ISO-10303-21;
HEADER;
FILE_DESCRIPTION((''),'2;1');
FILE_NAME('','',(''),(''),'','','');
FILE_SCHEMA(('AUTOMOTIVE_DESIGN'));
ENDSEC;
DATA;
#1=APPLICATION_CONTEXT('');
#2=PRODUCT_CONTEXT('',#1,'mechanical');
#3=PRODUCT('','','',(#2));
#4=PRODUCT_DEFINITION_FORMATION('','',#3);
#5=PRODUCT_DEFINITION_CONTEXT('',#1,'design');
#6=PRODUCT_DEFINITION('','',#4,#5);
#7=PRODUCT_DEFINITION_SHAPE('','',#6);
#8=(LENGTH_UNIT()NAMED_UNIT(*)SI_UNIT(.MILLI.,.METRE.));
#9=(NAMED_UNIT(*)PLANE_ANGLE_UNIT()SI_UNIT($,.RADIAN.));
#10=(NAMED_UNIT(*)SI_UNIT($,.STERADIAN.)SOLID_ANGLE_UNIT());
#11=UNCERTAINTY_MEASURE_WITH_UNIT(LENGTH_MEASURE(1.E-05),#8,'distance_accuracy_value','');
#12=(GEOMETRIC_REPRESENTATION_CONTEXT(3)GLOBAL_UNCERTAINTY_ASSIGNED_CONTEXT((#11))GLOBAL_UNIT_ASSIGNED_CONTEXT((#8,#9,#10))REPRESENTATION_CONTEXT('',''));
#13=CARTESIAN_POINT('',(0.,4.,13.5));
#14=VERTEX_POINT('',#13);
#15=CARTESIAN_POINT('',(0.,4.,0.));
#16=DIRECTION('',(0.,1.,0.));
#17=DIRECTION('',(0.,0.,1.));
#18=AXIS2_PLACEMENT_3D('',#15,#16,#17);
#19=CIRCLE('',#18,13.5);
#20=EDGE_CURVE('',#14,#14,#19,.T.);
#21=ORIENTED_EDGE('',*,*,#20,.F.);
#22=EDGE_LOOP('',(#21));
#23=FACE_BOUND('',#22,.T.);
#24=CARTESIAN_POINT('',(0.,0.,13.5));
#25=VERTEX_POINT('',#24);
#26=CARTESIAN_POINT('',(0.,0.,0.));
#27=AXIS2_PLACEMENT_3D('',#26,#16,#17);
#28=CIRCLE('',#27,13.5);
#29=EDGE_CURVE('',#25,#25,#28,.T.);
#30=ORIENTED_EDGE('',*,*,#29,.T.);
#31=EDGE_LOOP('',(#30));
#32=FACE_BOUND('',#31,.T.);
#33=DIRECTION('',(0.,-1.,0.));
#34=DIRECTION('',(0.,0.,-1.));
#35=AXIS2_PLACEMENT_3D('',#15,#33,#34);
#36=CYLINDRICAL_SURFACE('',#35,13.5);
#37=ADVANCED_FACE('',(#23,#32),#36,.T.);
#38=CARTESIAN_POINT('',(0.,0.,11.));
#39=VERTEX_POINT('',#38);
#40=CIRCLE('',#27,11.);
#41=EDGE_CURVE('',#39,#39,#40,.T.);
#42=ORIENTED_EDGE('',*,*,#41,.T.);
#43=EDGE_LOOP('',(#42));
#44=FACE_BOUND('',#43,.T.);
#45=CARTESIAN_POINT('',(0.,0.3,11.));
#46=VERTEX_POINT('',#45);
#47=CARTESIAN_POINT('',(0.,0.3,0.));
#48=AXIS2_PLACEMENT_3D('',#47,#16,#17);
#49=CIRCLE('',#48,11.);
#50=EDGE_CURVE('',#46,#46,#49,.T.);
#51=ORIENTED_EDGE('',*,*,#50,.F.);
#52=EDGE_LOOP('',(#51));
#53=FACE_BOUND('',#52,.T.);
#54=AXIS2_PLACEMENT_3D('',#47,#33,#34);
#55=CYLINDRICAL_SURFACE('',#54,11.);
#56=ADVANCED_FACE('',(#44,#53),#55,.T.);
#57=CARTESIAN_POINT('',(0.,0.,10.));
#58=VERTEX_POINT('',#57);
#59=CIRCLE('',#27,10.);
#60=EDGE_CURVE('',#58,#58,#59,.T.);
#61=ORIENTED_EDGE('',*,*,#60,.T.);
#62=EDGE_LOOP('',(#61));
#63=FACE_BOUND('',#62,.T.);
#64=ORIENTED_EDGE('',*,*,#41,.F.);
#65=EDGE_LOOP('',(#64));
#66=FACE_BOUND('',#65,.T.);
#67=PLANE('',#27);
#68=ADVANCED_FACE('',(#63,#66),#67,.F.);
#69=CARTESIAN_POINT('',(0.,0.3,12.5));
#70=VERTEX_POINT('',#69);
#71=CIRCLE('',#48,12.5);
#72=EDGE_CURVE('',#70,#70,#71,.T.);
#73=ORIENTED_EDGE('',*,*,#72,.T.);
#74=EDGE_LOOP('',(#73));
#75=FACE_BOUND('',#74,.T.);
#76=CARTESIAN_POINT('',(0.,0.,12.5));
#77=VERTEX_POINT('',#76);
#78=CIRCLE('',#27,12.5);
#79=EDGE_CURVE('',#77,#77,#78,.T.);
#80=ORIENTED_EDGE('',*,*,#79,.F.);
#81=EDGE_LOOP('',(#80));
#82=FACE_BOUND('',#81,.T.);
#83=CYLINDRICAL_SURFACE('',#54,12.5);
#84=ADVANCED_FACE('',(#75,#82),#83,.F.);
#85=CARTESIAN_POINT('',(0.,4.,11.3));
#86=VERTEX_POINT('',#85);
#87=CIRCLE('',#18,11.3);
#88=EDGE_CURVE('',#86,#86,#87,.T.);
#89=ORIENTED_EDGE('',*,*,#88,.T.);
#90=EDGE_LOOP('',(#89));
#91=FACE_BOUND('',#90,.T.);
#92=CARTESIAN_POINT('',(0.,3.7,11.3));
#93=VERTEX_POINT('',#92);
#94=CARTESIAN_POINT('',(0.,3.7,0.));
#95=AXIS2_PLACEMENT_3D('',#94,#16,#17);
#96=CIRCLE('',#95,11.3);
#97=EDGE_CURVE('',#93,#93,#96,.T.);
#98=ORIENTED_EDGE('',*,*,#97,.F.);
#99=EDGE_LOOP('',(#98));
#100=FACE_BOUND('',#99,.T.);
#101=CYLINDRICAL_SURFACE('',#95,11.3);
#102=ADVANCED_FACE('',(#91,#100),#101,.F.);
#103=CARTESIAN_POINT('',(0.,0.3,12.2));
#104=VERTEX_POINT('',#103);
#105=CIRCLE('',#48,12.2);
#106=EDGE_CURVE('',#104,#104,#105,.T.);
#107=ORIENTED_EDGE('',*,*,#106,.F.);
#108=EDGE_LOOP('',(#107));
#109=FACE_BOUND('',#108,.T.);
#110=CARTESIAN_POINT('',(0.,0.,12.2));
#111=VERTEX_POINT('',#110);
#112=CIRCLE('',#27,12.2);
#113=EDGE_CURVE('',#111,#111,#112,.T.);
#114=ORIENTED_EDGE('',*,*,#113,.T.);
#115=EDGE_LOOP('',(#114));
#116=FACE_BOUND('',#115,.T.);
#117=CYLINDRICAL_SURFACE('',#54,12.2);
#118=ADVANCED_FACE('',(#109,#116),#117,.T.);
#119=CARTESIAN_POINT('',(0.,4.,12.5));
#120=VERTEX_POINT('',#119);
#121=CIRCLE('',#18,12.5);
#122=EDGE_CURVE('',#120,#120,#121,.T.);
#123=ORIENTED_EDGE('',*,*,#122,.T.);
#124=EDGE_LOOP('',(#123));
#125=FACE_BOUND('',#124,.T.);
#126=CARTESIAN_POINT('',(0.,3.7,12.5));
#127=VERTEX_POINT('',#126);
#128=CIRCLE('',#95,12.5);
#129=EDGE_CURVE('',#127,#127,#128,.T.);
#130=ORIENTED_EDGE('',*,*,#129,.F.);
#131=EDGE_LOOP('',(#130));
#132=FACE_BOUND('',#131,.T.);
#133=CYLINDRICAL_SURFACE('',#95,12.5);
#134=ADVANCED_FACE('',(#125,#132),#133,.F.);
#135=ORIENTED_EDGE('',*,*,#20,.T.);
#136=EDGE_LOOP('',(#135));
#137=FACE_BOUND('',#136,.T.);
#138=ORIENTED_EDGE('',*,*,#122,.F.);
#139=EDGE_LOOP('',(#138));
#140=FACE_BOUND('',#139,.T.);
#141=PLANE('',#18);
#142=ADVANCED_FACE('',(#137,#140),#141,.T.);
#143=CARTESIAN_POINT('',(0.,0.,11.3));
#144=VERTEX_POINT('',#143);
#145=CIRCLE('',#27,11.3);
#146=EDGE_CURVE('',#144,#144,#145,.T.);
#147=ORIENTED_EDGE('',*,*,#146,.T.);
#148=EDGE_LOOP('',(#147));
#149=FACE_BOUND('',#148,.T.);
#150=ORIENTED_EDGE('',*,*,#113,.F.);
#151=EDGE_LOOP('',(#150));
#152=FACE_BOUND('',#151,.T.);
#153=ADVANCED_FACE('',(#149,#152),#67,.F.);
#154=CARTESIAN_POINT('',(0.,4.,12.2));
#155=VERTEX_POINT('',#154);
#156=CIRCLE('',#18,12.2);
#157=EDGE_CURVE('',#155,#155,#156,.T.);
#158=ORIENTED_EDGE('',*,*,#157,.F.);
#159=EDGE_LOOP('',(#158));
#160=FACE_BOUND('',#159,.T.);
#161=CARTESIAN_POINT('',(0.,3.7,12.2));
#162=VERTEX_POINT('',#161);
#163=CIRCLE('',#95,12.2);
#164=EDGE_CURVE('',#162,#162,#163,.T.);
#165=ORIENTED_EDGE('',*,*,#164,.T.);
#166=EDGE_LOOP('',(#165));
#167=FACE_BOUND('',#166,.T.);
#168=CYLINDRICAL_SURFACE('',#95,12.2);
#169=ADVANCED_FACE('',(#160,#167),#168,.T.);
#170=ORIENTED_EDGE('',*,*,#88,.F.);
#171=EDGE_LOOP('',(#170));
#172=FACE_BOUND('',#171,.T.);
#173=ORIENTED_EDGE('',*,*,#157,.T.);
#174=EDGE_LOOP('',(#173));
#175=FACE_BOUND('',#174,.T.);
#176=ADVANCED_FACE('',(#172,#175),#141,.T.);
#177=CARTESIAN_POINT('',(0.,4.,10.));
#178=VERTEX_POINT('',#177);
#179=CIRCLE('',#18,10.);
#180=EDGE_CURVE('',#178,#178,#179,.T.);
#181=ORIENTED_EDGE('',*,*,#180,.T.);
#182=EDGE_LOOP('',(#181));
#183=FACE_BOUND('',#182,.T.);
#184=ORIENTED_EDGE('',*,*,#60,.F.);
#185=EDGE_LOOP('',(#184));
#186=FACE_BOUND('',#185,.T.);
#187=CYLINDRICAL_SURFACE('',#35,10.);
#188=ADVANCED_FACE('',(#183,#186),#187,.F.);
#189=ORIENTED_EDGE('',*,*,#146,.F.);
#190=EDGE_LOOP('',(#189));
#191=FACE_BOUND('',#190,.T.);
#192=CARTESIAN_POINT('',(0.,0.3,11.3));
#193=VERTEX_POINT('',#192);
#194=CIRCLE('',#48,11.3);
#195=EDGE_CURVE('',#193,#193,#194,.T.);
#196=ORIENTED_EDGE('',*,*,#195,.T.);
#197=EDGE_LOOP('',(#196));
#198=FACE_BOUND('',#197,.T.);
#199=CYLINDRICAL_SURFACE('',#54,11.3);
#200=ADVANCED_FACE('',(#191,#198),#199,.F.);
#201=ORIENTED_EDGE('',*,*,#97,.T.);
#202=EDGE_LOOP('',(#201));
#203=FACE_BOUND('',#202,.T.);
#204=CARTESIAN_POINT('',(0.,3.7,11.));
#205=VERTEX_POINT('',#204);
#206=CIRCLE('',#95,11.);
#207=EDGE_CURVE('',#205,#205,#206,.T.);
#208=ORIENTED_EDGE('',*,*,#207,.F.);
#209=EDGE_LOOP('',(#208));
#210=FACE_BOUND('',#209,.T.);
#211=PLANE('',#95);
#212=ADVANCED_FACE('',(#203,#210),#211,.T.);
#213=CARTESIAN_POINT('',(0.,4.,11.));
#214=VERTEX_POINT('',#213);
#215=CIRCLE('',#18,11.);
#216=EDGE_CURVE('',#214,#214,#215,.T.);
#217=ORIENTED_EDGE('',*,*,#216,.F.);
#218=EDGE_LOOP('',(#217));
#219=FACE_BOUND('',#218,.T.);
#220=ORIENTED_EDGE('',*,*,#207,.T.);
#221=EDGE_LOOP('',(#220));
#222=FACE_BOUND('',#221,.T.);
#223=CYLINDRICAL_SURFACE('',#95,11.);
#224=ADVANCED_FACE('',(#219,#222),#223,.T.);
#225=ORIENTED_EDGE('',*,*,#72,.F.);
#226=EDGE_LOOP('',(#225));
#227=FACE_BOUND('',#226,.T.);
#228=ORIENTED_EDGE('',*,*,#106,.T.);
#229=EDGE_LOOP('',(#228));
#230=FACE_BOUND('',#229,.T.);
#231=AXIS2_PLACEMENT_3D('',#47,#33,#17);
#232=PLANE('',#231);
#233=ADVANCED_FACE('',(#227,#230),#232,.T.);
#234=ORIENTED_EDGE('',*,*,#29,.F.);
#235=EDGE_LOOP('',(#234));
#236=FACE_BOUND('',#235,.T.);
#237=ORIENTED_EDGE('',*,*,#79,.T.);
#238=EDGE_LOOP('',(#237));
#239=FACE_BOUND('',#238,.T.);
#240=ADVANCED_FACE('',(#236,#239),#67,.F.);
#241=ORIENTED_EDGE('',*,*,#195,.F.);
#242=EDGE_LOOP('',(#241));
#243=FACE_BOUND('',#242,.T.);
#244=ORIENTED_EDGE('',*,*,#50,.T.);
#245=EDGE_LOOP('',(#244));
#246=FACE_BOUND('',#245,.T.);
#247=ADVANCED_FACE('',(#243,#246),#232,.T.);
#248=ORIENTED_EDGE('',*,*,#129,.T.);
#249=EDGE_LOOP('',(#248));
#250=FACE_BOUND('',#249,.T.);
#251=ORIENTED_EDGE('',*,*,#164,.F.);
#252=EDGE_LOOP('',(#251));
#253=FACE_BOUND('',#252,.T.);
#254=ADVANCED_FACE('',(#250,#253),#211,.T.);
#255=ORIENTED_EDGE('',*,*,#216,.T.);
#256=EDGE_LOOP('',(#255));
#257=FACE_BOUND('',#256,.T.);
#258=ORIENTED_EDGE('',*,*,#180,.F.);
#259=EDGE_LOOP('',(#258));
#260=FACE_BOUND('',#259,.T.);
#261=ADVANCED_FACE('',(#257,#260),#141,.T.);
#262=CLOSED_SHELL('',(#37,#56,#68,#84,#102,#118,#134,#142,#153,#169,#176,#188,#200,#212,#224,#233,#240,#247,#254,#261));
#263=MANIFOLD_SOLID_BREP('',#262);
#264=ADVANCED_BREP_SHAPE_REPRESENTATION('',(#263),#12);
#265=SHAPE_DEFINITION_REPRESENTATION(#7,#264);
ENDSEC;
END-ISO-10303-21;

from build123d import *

# Parameters (mm, degrees)
SKETCH_1_R          = 13.5
SKETCH_1_R_2        = 10
EXTRUDE_1_DEPTH     = 4
SKETCH_2_R          = 12.5
SKETCH_2_R_2        = 12.2
SKETCH_2_R_3        = 11.3
SKETCH_2_R_4        = 11
CUT_EXTRUDE_1_DEPTH = 0.3


with BuildPart() as part:
    # 草图1 → 凸台-拉伸1 (new body)
    with BuildSketch(Plane(origin=(0, 0, 0), x_dir=(1, 0, 0), z_dir=(0, 1, 0))):
        with Locations(Location((0, 0, 0), (0, 0, 270))):
            Circle(SKETCH_1_R)
        with Locations(Location((0, 0, 0), (0, 0, 270))):
            Circle(SKETCH_1_R_2, mode=Mode.SUBTRACT)
    extrude(amount=EXTRUDE_1_DEPTH)

    # 草图2 → 切除-拉伸1 (cut)
    # profile 1 of 2: a face of its own
    with BuildSketch(Plane(origin=(0, 4, 0), x_dir=(1, 0, 0), z_dir=(0, 1, 0))):
        with Locations(Location((0, 0, 0), (0, 0, 270))):
            Circle(SKETCH_2_R)
        with Locations(Location((0, 0, 0), (0, 0, 270))):
            Circle(SKETCH_2_R_2, mode=Mode.SUBTRACT)
    # profile 2 of 2: a face of its own
    with BuildSketch(Plane(origin=(0, 4, 0), x_dir=(1, 0, 0), z_dir=(0, 1, 0))):
        with Locations(Location((0, 0, 0), (0, 0, 270))):
            Circle(SKETCH_2_R_3)
        with Locations(Location((0, 0, 0), (0, 0, 270))):
            Circle(SKETCH_2_R_4, mode=Mode.SUBTRACT)
    cut_extrude_1 = extrude(amount=-CUT_EXTRUDE_1_DEPTH, mode=Mode.SUBTRACT)

    # 镜向1: 切除-拉伸1 across plane
    add(cut_extrude_1.mirror(Plane.ZX.offset(2)), mode=Mode.SUBTRACT)


solid = part.part
